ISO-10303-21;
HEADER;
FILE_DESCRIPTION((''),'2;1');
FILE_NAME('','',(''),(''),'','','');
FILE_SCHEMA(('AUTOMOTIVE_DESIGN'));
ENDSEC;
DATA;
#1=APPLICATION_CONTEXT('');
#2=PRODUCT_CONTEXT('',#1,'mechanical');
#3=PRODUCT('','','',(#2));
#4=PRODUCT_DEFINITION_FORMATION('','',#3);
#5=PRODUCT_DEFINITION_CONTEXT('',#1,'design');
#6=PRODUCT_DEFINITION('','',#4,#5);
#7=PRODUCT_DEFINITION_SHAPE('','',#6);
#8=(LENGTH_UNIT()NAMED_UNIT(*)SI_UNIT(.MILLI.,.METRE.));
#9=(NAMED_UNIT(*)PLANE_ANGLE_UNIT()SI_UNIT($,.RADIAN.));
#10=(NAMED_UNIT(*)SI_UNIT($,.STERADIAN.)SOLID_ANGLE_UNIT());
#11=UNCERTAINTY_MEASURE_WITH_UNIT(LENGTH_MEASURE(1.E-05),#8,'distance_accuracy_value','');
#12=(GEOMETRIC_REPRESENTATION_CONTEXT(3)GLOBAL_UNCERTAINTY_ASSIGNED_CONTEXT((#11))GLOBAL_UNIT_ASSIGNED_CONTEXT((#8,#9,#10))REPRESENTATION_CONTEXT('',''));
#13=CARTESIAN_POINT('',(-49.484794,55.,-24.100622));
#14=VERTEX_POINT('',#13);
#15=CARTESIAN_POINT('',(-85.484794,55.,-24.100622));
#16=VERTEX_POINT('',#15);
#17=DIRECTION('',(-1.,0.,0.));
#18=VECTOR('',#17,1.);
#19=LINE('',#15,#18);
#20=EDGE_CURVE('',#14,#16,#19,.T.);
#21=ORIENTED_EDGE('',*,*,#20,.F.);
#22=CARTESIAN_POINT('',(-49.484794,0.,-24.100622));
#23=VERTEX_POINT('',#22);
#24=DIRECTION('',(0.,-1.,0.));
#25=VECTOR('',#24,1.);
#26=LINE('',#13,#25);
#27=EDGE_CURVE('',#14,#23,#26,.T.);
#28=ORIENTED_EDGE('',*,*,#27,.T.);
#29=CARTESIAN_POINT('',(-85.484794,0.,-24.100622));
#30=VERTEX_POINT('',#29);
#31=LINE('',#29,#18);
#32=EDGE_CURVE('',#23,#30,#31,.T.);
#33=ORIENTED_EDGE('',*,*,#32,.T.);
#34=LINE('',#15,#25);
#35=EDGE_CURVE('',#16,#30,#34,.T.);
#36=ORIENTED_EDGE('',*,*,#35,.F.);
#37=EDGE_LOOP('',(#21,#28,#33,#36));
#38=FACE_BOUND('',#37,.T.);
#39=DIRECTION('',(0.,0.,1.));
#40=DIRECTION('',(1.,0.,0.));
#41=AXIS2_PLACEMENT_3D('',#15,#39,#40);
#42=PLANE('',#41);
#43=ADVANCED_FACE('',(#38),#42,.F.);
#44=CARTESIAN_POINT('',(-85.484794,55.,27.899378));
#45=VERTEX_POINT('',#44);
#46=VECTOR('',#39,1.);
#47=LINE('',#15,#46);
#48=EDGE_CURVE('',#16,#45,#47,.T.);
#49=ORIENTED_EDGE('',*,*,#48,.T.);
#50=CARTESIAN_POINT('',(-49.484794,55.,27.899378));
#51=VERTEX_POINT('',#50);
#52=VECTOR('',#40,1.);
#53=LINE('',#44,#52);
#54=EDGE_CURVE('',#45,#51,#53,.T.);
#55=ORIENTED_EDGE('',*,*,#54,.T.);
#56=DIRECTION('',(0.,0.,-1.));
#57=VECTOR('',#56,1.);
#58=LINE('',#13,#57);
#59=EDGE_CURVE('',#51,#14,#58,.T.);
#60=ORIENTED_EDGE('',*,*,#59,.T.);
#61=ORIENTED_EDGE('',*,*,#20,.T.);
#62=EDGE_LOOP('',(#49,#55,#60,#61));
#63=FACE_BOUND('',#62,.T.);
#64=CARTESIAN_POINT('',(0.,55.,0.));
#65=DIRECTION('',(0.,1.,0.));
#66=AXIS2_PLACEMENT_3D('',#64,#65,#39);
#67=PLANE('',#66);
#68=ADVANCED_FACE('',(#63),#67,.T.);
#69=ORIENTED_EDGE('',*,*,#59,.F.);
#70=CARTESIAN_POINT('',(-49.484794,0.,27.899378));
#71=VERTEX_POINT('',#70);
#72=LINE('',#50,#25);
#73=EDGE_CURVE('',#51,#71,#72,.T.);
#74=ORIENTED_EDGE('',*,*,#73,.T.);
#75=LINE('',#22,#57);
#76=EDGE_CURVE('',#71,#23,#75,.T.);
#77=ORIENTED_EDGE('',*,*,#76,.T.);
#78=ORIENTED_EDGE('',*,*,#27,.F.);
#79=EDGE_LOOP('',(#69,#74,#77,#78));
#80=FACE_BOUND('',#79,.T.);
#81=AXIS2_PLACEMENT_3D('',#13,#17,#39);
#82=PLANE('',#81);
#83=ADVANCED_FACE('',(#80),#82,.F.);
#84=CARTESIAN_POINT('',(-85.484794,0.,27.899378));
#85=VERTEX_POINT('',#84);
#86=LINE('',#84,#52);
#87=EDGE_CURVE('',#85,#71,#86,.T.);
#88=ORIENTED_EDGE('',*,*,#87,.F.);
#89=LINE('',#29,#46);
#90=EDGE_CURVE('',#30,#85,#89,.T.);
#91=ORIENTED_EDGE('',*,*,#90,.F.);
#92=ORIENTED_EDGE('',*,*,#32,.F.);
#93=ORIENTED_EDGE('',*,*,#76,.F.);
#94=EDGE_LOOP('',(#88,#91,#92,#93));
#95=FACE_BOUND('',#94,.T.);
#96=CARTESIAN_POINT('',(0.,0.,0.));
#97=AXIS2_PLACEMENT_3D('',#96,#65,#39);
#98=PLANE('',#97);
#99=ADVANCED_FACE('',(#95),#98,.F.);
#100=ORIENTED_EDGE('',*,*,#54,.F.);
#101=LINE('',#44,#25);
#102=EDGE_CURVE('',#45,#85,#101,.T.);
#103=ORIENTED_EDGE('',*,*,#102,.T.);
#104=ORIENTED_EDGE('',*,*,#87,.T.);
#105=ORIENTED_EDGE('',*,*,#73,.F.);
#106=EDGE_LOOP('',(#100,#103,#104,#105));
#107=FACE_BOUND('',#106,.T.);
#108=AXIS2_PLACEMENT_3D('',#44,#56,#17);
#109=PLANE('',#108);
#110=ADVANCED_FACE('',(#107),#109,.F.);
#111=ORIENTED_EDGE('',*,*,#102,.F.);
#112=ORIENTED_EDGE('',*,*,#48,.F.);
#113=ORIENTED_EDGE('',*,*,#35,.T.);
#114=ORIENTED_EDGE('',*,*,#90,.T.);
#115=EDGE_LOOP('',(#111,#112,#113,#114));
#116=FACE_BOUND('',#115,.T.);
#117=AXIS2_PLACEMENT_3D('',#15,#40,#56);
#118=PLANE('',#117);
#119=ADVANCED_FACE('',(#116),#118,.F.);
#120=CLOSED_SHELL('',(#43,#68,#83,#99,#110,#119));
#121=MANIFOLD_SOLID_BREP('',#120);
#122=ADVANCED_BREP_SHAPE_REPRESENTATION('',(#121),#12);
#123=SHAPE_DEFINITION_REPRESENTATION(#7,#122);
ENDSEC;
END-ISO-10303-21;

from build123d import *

# Parameters (mm, degrees)
ESQUISSE1_W        = 36
ESQUISSE1_H        = 52
BOSS_EXTRU_1_DEPTH = 55


with BuildPart() as part:
    # Esquisse1 → Boss.-Extru.1 (new body)
    with BuildSketch(Plane(origin=(0, 0, 0), x_dir=(1, 0, 0), z_dir=(0, 1, 0))):
        with Locations((-67.484794443, -1.899378251)):
            Rectangle(ESQUISSE1_W, ESQUISSE1_H)
    extrude(amount=BOSS_EXTRU_1_DEPTH)


solid = part.part
